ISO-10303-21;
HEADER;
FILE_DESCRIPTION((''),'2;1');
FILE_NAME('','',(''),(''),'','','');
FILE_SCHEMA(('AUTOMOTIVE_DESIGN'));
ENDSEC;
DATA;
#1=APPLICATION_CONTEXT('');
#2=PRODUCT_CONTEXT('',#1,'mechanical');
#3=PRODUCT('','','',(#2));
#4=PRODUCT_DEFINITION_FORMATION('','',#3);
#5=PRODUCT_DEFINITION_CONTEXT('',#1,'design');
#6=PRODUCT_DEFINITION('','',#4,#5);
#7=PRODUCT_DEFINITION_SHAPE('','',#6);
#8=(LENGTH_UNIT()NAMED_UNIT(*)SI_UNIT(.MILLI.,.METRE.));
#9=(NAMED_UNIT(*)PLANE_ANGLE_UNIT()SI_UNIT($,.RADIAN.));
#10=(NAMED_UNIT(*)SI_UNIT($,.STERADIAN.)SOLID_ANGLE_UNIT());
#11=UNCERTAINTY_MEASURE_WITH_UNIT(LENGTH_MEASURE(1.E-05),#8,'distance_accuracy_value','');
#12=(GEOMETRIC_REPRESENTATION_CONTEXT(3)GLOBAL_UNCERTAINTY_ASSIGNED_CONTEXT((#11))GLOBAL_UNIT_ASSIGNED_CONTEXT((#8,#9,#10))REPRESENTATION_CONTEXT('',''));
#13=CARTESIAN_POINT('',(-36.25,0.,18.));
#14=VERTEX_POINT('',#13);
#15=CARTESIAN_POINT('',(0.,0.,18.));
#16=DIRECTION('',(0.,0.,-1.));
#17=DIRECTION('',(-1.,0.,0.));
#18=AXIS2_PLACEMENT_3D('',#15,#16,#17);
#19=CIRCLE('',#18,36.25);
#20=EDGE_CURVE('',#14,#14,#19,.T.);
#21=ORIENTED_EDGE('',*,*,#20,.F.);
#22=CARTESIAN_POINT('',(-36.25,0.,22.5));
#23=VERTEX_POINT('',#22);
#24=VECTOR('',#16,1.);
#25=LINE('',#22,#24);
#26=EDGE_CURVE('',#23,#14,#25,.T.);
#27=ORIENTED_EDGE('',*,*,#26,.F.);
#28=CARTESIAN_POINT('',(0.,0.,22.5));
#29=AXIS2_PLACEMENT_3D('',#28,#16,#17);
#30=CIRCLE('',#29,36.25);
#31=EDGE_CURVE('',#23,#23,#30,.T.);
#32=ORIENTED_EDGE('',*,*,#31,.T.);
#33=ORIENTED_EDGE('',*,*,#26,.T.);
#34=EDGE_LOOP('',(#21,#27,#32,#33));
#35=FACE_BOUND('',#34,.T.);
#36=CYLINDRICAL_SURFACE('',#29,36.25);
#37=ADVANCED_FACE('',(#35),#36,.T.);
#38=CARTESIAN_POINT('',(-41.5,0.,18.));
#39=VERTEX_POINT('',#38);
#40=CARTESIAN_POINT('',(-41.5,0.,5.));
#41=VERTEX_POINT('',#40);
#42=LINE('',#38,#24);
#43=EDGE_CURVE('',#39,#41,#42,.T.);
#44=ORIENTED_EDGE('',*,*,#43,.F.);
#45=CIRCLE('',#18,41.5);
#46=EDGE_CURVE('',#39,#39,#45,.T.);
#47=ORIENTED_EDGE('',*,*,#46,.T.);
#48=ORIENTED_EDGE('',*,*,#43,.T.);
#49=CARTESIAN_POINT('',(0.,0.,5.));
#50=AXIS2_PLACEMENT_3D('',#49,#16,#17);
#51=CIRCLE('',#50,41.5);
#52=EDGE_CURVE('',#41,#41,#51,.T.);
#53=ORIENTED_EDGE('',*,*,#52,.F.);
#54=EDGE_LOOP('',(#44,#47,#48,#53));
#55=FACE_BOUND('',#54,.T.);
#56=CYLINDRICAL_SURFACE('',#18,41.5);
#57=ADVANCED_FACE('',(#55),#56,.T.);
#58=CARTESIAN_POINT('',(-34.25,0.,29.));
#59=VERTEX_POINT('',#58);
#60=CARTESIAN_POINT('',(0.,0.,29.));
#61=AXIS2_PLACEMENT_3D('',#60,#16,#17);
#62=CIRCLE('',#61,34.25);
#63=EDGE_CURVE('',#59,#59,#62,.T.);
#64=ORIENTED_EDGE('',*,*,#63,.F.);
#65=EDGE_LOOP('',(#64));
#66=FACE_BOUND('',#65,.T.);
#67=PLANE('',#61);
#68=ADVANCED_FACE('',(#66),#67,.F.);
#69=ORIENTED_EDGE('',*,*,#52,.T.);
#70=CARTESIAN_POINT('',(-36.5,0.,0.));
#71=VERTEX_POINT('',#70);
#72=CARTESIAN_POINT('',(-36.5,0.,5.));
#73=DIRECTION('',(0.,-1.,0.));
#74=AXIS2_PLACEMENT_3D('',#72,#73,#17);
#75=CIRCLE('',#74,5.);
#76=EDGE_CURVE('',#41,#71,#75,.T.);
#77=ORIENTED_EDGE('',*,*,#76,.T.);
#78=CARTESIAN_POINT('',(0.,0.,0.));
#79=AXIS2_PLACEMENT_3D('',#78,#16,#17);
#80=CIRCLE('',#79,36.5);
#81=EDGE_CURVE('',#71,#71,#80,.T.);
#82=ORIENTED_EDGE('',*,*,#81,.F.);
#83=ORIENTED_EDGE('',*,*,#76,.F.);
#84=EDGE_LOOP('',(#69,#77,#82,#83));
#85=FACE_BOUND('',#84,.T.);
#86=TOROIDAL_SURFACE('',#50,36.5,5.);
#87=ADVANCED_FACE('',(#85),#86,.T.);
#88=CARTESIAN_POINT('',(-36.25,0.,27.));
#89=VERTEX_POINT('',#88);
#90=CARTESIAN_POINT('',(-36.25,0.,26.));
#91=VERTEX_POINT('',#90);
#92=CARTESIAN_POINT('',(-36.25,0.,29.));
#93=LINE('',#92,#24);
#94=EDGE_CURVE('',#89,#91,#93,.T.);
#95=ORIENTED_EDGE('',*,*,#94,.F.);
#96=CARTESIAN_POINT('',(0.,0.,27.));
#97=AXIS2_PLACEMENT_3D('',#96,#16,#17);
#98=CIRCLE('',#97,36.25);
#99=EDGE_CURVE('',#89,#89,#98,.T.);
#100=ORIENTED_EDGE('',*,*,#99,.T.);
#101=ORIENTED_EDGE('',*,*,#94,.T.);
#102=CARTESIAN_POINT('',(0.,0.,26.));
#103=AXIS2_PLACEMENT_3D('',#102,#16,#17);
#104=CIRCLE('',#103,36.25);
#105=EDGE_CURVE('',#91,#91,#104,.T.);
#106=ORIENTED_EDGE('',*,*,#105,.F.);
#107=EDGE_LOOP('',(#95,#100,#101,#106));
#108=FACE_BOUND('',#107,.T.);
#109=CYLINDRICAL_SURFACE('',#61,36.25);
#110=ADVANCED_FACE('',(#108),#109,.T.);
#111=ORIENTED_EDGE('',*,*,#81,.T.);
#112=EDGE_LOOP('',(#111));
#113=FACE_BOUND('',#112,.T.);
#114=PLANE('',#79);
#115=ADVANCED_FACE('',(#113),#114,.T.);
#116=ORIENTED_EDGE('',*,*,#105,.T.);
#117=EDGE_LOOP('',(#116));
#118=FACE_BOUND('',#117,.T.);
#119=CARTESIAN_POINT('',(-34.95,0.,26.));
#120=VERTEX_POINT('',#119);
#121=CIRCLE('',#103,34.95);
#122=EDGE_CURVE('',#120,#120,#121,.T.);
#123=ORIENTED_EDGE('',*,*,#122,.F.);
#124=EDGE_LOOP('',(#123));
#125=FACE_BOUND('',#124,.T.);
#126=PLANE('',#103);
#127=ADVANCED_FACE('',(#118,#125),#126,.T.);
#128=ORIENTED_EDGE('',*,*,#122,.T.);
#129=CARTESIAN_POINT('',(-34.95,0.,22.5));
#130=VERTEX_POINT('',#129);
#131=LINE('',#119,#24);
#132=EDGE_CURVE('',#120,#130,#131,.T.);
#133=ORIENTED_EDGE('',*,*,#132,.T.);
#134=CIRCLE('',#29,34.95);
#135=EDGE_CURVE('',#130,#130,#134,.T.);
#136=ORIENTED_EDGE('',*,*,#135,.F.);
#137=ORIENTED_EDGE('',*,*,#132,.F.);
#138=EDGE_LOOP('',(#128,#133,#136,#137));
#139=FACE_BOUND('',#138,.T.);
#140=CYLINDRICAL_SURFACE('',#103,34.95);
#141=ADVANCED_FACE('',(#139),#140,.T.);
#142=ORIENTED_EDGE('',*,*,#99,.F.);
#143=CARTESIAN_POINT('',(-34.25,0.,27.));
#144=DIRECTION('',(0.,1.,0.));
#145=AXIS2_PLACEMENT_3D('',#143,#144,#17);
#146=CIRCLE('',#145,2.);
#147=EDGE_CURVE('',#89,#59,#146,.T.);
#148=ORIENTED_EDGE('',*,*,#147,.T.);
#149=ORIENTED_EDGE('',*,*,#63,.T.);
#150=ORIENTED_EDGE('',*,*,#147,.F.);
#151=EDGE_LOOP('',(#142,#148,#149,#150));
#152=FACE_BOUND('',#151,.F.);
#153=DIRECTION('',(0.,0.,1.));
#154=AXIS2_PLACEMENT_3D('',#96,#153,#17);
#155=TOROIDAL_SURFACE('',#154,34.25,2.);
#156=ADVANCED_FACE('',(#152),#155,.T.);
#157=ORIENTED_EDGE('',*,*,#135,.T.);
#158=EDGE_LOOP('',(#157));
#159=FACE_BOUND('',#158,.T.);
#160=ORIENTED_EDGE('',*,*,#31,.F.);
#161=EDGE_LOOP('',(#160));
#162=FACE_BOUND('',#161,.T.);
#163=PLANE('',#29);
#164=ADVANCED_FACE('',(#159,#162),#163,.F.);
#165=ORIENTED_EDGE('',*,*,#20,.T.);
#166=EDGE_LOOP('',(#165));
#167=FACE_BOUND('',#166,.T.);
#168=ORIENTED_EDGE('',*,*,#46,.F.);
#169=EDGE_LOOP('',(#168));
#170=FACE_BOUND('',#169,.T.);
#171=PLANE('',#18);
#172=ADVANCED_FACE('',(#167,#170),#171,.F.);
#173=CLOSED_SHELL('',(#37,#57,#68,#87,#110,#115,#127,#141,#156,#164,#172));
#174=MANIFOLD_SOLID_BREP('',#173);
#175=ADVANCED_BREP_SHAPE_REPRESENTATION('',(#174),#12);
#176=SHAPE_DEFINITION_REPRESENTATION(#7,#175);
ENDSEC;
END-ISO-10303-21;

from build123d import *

# Parameters (mm, degrees)
F2_R = 5
F3_R = 2


with BuildPart() as f1:
    # F0 (on Front) → F1 (revolve)
    with BuildSketch(Plane.XZ):
        Polygon((-36.25, 22.5), (-36.25, 18), (-41.5, 18), (-41.5, 0), (0, 0), (0, 18), (0, 29), (-36.25, 29), (-36.25, 26), (-34.95, 26), (-34.95, 22.5), align=None)
    revolve(axis=Axis((0, 0, 9), (0, 0, -1)))

    # F2
    f2_edges = [f1.edges().sort_by_distance(p)[0] for p in [
        (41.5, 0, 0),
    ]]
    fillet(f2_edges, radius=F2_R)

    # F3
    f3_edges = [f1.edges().sort_by_distance(p)[0] for p in [
        (36.25, 0, 29),
    ]]
    fillet(f3_edges, radius=F3_R)


solid = f1.part
